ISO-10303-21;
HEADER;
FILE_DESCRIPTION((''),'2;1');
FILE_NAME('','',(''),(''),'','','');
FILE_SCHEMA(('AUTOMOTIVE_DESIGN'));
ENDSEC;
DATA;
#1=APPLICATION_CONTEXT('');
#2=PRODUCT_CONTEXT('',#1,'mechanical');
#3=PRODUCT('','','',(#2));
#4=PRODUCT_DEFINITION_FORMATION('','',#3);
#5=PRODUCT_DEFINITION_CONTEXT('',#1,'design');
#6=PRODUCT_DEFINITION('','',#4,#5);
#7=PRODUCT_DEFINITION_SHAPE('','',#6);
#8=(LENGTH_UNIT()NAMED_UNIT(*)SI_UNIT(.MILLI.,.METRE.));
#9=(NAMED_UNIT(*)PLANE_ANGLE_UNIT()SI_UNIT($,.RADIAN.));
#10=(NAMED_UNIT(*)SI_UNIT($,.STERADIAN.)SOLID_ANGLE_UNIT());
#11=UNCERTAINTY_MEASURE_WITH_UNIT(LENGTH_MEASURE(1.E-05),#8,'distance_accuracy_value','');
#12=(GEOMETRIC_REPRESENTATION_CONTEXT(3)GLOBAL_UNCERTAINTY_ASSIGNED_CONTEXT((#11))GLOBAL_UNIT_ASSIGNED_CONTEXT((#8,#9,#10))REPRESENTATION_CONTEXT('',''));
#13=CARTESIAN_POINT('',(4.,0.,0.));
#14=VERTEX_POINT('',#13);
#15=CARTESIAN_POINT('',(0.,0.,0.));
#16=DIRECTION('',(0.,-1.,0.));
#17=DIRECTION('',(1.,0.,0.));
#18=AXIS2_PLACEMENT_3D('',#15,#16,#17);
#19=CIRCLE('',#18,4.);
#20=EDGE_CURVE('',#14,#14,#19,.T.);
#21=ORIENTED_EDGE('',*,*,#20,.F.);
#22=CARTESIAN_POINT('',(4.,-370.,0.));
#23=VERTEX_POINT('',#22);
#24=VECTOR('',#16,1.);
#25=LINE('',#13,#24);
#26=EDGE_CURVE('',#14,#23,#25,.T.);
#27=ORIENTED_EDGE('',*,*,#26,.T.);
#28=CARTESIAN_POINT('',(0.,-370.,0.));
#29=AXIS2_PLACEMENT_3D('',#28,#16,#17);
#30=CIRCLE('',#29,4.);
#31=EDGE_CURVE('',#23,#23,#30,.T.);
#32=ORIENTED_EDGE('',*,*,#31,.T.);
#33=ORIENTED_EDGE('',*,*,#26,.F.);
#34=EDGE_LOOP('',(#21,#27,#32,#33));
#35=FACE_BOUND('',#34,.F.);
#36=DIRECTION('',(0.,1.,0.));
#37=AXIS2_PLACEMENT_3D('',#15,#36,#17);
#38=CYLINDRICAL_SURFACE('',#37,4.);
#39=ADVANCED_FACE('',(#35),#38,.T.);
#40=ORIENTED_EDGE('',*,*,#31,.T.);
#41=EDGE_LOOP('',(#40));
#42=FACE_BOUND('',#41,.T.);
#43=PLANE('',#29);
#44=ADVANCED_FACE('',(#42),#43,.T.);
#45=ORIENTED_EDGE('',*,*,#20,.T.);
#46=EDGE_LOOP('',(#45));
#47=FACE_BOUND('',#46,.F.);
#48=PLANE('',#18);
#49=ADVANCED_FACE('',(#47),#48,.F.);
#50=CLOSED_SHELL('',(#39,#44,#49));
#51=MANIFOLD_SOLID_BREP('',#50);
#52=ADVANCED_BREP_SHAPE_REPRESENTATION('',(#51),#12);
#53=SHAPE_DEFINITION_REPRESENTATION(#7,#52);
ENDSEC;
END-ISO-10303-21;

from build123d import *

# Parameters (mm, degrees)
SKETCH_R  = 4
PAD_DEPTH = 370


with BuildPart() as part:
    # Sketch → Pad (new body)
    with BuildSketch(Plane.XZ):
        Circle(SKETCH_R)
    extrude(amount=PAD_DEPTH)


solid = part.part
